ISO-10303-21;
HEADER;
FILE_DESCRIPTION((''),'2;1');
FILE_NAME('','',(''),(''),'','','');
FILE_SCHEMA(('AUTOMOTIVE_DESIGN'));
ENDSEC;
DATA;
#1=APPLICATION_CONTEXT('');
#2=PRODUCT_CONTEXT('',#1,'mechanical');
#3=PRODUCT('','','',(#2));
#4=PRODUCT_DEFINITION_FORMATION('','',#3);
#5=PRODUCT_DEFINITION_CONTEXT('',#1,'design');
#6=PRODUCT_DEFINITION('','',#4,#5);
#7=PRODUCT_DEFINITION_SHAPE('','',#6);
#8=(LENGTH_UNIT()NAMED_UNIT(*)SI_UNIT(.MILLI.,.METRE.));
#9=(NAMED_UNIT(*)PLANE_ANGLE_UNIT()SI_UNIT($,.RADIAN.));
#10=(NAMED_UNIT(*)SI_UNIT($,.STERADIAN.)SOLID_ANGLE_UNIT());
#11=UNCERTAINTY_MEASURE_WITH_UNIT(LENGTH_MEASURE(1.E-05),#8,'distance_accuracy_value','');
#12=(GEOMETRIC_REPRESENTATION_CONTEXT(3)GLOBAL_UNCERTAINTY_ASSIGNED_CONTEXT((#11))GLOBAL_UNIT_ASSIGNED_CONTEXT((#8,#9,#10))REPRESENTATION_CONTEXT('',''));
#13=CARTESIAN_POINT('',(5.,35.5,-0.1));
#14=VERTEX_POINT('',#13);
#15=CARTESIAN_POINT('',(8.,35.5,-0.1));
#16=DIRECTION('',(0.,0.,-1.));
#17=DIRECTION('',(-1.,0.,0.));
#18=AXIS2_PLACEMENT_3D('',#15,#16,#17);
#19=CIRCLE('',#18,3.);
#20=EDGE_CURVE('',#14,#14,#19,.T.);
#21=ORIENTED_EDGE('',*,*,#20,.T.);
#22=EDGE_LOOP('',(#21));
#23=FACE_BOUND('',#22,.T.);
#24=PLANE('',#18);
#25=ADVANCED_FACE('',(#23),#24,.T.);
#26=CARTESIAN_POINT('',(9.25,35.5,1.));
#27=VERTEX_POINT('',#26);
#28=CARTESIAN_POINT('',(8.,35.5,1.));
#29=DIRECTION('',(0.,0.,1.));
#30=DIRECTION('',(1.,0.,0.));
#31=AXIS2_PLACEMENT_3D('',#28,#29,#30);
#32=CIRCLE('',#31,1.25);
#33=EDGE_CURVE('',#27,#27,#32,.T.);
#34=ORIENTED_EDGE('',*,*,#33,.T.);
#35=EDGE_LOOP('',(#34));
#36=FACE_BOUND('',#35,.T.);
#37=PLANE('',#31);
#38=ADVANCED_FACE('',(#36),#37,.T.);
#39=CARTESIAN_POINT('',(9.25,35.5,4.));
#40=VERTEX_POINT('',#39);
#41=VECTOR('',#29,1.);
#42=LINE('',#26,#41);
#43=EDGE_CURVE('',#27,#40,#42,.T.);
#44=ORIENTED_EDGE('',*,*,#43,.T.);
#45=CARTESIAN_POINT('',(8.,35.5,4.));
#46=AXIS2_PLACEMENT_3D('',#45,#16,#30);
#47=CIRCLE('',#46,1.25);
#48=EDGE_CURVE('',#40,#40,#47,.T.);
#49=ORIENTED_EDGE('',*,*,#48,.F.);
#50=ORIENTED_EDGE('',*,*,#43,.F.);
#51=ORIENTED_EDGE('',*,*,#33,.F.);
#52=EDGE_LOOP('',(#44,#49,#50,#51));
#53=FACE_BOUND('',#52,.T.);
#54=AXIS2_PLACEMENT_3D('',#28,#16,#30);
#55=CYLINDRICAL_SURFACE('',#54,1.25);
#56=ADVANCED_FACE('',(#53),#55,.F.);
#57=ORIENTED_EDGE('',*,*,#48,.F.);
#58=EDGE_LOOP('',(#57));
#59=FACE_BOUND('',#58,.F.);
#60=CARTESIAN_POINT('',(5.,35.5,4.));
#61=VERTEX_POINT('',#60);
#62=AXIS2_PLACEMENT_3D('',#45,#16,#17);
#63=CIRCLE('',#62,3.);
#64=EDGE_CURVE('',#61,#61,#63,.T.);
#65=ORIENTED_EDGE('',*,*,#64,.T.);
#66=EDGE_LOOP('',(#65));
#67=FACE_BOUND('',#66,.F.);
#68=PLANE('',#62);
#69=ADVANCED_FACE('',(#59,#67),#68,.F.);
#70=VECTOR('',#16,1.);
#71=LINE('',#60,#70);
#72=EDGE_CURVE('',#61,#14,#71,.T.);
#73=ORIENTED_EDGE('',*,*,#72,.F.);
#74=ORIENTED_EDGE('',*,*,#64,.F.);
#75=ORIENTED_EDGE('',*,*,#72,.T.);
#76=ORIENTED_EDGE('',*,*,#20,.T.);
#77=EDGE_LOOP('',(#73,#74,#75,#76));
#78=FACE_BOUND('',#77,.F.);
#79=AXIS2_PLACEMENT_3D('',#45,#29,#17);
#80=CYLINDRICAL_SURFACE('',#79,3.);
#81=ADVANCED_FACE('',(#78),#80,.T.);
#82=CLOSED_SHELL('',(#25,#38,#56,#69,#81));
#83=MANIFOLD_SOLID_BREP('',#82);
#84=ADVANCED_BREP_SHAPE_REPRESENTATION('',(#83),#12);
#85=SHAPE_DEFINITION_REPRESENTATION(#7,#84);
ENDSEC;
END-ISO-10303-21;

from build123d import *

# Parameters (mm, degrees)
CYLINDER079_R          = 1.25
CYLINDER079_DEPTH      = 5
CYLINDER078_R          = 3
CYLINDER078_DEPTH      = 4.1
CUT040_PLACEMENT_ANGLE = 90


with BuildPart() as b_w017:
    # Cylinder079 → Cylinder079 (new body)
    with BuildSketch(Plane(origin=(2, 6, 26), x_dir=(0, 0, 1), z_dir=(-1, 0, 0))):
        Circle(CYLINDER079_R)
    extrude(amount=CYLINDER079_DEPTH)


with BuildPart() as h_nw:
    # Cylinder078 → Cylinder078 (new body)
    with BuildSketch(Plane(origin=(-1, 6, 26), x_dir=(0, 0, -1), z_dir=(1, 0, 0))):
        Circle(CYLINDER078_R)
    extrude(amount=CYLINDER078_DEPTH)

    # Cut040: cut B_W017
    add(b_w017.part, mode=Mode.SUBTRACT)


with BuildPart() as h_nw_1:
    # Cut040 placement: moved
    add(h_nw.part.moved(Location((-18, 29.5, 3))).rotate(Axis((-18, 29.5, 3), (0, 1, 0)), CUT040_PLACEMENT_ANGLE))


solid = h_nw_1.part
